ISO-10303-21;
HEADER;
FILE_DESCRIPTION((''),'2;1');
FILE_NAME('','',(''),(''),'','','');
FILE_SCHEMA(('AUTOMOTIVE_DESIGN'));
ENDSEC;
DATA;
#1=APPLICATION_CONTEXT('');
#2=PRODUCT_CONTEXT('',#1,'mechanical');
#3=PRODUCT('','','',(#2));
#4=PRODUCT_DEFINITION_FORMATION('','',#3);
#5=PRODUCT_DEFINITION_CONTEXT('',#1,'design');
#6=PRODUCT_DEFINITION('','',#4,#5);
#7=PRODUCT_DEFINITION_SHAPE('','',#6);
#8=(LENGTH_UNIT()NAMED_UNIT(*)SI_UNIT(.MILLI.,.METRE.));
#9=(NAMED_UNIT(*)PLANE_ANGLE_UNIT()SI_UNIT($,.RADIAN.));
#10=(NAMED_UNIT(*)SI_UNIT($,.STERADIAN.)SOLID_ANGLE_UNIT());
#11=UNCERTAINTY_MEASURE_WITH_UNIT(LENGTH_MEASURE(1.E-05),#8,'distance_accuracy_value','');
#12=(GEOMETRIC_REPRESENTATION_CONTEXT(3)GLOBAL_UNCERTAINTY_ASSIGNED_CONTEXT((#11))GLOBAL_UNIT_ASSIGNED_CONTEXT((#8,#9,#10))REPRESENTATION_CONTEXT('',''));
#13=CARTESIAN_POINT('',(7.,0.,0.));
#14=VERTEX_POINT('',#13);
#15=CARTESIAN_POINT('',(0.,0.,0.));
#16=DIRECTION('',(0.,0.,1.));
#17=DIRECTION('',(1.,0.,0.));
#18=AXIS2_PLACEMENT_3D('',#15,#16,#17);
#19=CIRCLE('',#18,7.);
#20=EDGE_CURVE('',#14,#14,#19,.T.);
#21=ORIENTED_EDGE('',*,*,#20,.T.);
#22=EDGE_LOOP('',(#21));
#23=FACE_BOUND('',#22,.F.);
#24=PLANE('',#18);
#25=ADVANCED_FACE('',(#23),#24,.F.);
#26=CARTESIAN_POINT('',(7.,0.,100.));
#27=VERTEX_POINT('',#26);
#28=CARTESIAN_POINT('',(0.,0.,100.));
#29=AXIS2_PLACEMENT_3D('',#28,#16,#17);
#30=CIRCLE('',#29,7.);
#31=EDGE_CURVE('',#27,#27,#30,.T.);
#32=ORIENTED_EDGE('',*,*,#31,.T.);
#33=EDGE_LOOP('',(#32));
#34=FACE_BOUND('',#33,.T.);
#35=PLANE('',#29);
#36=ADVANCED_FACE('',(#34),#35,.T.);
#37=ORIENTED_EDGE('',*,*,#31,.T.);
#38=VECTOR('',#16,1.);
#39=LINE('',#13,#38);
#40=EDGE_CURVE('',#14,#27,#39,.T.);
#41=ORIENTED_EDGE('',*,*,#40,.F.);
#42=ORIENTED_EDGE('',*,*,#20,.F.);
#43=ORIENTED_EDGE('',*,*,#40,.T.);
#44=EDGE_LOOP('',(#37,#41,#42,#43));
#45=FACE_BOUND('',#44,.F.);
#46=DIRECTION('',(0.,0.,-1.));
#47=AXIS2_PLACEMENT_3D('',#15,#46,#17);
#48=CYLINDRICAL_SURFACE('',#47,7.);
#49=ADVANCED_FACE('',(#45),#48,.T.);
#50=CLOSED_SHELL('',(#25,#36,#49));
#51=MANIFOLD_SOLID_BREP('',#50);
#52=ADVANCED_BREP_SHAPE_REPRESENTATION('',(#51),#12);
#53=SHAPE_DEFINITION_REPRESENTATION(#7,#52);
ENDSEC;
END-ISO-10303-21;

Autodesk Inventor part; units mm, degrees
ref_plane "YZ Plane" through (0, 0, 0) normal (1, 0, 0) x (0, 1, 0)
ref_plane "XZ Plane" through (0, 0, 0) normal (0, 1, 0) x (-1, 0, 0)
ref_plane "XY Plane" through (0, 0, 0) normal (0, 0, 1) x (1, 0, 0)
sketch "Sketch1" plane through (0, 0, 0) normal (0, 0, 1) x (1, 0, 0)
  circle A0 centre (0, 0) radius 7
  dimension "d0" = 14
extrude "Extrusion1" add sketch "Sketch1" along normal blind 100
sketch "Sketch3" plane through (0, 0, 0) normal (0, 0, -1) x (-1, 0, 0)
  circle A0 centre (0, 0) radius 4
  dimension "d17" = 8
properties part number "rod attachment(wheelside)"
